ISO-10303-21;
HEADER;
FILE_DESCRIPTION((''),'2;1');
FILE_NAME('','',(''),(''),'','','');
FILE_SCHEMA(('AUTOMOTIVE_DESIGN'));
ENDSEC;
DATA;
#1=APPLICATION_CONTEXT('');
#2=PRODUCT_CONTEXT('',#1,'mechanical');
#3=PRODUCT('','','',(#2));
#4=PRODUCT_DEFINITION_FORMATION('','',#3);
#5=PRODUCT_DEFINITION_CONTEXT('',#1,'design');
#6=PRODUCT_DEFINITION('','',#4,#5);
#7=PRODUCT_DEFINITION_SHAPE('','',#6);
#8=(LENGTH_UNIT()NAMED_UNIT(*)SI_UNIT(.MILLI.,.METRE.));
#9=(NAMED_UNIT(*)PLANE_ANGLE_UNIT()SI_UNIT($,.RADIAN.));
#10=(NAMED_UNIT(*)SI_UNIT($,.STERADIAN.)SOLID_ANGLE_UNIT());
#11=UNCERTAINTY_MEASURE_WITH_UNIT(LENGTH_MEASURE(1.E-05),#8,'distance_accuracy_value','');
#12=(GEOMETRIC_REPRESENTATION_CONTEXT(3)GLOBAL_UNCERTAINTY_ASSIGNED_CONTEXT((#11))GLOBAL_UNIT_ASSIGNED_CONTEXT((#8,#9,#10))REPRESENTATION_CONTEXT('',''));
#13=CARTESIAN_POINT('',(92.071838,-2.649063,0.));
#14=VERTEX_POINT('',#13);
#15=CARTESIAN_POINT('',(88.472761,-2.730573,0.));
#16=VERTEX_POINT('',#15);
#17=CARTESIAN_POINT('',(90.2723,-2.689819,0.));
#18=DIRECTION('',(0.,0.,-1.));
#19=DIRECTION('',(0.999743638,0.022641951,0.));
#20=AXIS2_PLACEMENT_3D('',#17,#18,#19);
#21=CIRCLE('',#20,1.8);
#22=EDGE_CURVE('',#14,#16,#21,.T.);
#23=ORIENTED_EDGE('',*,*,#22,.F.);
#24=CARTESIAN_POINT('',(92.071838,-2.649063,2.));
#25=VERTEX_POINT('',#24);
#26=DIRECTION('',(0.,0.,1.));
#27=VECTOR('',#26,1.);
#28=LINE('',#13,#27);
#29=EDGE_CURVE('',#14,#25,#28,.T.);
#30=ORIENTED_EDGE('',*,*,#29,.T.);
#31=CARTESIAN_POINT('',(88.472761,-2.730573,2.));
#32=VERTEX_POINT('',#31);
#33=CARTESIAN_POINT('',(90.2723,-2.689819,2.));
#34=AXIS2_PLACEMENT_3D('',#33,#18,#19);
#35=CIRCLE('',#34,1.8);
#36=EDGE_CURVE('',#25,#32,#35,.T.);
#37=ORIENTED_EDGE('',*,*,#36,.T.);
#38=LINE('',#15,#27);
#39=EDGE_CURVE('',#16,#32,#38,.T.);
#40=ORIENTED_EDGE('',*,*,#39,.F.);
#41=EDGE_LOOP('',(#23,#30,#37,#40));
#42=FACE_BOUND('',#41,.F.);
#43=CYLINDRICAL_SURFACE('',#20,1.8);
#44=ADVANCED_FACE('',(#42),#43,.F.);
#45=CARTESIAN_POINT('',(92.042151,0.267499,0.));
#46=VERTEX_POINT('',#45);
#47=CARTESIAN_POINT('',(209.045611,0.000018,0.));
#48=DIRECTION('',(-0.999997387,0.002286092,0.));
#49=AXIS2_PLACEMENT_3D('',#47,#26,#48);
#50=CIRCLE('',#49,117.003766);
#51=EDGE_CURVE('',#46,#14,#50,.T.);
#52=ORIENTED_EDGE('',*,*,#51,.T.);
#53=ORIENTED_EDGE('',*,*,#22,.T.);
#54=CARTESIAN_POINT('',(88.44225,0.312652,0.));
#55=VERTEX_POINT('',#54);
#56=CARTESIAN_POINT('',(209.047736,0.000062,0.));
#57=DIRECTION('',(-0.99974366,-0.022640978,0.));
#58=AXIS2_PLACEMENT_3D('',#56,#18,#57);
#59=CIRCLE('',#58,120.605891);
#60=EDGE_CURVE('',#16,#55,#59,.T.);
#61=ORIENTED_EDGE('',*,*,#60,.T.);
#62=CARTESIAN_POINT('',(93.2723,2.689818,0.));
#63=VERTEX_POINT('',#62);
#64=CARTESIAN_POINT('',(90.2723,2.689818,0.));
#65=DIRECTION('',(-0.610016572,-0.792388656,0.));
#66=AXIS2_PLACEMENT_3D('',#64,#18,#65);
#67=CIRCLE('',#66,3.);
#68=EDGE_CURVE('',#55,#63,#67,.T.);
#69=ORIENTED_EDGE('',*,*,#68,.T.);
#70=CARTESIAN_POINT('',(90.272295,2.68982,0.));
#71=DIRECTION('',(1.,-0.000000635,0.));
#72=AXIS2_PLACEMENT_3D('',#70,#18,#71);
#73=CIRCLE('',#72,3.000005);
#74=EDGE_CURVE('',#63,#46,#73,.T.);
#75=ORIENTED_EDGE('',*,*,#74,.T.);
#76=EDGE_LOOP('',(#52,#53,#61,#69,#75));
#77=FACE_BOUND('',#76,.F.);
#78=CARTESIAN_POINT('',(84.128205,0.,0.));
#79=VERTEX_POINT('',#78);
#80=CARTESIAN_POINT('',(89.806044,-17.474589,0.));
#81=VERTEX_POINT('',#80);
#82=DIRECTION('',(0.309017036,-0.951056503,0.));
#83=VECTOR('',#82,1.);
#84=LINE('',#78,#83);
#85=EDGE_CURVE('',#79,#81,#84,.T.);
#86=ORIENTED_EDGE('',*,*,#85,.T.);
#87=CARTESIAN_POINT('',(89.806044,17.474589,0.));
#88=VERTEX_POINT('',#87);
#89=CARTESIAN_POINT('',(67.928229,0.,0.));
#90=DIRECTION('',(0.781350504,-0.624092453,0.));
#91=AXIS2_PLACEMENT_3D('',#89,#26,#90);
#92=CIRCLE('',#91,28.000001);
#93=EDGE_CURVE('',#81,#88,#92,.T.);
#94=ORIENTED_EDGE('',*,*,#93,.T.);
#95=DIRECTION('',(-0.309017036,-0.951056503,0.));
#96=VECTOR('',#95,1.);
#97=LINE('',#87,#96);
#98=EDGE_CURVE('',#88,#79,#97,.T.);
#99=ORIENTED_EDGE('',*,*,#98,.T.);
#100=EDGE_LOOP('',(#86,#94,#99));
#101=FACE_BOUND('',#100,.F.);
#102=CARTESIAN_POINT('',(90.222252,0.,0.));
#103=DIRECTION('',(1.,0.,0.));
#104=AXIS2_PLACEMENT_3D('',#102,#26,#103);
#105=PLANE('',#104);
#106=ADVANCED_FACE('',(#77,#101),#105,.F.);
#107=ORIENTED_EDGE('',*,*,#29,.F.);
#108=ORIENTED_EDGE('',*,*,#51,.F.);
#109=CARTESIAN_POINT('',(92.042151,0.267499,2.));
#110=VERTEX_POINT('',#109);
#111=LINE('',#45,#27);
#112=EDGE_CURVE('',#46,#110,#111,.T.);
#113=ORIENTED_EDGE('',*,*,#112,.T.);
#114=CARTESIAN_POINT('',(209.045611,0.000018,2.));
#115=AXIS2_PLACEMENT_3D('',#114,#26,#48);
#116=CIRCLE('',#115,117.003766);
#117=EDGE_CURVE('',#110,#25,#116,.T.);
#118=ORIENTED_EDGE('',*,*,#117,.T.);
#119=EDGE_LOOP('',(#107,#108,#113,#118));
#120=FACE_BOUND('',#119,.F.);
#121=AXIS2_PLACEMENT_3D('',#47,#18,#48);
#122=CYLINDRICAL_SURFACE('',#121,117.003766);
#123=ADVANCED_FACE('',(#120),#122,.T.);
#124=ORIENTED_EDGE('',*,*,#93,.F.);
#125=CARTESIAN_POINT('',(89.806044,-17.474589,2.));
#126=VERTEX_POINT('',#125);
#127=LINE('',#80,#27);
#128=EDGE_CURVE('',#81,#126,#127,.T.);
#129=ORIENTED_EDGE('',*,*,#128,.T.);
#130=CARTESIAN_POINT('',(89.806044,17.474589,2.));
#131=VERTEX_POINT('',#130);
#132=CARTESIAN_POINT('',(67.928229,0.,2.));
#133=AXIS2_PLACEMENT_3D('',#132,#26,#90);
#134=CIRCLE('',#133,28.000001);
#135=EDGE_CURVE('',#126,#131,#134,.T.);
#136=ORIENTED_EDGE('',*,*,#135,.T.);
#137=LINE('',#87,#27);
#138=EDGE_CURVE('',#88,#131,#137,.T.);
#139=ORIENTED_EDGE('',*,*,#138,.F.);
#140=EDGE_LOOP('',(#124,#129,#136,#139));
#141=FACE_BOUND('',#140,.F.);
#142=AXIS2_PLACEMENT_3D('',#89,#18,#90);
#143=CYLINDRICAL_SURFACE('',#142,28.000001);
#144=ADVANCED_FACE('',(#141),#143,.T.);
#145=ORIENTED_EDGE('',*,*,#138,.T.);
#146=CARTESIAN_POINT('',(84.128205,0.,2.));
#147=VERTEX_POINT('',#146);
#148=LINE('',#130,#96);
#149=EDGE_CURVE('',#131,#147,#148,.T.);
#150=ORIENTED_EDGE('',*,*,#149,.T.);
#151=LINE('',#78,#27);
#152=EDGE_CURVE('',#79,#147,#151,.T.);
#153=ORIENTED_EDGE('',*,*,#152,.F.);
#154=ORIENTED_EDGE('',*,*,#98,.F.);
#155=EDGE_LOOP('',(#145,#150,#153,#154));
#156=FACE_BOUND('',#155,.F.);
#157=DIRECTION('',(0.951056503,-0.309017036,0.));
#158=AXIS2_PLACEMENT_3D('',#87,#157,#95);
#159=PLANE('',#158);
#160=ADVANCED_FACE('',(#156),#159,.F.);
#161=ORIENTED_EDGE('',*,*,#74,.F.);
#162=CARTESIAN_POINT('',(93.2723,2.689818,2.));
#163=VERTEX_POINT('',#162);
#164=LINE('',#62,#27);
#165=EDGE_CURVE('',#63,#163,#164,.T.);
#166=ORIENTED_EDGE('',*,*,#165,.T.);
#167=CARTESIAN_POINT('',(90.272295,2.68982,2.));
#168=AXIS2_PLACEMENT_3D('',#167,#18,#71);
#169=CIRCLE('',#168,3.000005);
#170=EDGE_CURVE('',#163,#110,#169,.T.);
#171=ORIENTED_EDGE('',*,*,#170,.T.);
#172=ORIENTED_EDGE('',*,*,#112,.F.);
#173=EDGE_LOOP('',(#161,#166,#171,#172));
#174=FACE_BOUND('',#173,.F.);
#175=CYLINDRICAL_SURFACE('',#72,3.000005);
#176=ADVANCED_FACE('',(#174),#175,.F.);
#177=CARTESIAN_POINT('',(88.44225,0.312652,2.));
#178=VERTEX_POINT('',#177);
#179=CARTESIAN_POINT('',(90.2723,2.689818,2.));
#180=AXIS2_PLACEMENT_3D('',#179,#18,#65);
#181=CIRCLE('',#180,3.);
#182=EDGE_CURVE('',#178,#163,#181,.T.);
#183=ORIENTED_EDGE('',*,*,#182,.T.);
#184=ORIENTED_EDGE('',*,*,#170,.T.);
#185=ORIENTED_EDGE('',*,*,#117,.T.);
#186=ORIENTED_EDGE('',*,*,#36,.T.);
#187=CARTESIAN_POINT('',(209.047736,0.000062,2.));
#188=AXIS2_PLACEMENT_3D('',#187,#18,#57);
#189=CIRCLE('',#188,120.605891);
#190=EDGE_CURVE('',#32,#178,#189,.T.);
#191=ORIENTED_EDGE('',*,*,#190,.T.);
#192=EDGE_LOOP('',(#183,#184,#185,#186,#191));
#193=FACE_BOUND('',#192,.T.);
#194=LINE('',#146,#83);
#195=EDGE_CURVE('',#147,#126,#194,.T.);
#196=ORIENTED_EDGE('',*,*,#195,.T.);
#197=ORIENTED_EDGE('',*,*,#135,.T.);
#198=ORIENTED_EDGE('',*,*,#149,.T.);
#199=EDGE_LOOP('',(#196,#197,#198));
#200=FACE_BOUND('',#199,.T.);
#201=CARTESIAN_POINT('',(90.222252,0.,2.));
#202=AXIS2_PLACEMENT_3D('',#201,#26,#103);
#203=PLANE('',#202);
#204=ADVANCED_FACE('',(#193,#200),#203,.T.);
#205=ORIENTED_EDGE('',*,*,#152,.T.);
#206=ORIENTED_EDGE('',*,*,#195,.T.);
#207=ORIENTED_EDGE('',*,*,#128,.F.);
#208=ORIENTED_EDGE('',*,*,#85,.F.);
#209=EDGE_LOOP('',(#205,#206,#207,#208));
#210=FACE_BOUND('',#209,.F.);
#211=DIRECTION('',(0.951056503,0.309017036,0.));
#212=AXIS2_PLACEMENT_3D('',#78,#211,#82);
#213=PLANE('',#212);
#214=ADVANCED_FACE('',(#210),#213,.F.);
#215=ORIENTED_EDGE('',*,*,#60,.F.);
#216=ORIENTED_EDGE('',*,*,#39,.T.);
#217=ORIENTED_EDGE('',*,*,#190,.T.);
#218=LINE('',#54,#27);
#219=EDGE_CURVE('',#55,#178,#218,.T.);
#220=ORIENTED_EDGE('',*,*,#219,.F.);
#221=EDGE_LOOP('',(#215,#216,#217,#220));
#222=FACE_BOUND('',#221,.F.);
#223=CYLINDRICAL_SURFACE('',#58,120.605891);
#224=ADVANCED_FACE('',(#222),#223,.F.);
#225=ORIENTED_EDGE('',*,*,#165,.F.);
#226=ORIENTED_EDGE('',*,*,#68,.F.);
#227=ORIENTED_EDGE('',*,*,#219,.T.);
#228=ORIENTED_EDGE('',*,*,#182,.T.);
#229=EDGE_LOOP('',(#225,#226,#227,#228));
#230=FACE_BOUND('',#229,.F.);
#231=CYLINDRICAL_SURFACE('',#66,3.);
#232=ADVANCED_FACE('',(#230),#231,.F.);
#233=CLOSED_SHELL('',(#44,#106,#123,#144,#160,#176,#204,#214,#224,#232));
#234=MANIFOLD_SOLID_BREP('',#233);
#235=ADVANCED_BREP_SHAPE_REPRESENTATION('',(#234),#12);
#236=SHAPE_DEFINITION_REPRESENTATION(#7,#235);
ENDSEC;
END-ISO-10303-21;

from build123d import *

# Parameters (mm, degrees)
F2_DEPTH = 2


with BuildPart() as f2:
    # F1 (on Top) → F2 (new body)
    with BuildSketch(Plane.XY):
        with BuildLine():
            ThreePointArc((89.806044, -17.474589), (95.92823, 0), (89.806044, 17.474589))
            Line((89.806044, 17.474589), (84.128205, 0))
            Line((84.128205, 0), (89.806044, -17.474589))
        make_face()
        with BuildLine():
            ThreePointArc((88.44225, 0.312652), (88.947564, 5.381486), (93.2723, 2.689818))
            ThreePointArc((93.2723, 2.689818), (92.947141, 1.331428), (92.042151, 0.267499))
            ThreePointArc((92.042151, 0.267499), (92.047906, -1.190874), (92.071838, -2.649063))
            ThreePointArc((92.071838, -2.649063), (90.313055, -4.489357), (88.472761, -2.730573))
            ThreePointArc((88.472761, -2.730573), (88.447906, -1.209057), (88.44225, 0.312652))
        make_face(mode=Mode.SUBTRACT)
    extrude(amount=F2_DEPTH)


solid = f2.part
